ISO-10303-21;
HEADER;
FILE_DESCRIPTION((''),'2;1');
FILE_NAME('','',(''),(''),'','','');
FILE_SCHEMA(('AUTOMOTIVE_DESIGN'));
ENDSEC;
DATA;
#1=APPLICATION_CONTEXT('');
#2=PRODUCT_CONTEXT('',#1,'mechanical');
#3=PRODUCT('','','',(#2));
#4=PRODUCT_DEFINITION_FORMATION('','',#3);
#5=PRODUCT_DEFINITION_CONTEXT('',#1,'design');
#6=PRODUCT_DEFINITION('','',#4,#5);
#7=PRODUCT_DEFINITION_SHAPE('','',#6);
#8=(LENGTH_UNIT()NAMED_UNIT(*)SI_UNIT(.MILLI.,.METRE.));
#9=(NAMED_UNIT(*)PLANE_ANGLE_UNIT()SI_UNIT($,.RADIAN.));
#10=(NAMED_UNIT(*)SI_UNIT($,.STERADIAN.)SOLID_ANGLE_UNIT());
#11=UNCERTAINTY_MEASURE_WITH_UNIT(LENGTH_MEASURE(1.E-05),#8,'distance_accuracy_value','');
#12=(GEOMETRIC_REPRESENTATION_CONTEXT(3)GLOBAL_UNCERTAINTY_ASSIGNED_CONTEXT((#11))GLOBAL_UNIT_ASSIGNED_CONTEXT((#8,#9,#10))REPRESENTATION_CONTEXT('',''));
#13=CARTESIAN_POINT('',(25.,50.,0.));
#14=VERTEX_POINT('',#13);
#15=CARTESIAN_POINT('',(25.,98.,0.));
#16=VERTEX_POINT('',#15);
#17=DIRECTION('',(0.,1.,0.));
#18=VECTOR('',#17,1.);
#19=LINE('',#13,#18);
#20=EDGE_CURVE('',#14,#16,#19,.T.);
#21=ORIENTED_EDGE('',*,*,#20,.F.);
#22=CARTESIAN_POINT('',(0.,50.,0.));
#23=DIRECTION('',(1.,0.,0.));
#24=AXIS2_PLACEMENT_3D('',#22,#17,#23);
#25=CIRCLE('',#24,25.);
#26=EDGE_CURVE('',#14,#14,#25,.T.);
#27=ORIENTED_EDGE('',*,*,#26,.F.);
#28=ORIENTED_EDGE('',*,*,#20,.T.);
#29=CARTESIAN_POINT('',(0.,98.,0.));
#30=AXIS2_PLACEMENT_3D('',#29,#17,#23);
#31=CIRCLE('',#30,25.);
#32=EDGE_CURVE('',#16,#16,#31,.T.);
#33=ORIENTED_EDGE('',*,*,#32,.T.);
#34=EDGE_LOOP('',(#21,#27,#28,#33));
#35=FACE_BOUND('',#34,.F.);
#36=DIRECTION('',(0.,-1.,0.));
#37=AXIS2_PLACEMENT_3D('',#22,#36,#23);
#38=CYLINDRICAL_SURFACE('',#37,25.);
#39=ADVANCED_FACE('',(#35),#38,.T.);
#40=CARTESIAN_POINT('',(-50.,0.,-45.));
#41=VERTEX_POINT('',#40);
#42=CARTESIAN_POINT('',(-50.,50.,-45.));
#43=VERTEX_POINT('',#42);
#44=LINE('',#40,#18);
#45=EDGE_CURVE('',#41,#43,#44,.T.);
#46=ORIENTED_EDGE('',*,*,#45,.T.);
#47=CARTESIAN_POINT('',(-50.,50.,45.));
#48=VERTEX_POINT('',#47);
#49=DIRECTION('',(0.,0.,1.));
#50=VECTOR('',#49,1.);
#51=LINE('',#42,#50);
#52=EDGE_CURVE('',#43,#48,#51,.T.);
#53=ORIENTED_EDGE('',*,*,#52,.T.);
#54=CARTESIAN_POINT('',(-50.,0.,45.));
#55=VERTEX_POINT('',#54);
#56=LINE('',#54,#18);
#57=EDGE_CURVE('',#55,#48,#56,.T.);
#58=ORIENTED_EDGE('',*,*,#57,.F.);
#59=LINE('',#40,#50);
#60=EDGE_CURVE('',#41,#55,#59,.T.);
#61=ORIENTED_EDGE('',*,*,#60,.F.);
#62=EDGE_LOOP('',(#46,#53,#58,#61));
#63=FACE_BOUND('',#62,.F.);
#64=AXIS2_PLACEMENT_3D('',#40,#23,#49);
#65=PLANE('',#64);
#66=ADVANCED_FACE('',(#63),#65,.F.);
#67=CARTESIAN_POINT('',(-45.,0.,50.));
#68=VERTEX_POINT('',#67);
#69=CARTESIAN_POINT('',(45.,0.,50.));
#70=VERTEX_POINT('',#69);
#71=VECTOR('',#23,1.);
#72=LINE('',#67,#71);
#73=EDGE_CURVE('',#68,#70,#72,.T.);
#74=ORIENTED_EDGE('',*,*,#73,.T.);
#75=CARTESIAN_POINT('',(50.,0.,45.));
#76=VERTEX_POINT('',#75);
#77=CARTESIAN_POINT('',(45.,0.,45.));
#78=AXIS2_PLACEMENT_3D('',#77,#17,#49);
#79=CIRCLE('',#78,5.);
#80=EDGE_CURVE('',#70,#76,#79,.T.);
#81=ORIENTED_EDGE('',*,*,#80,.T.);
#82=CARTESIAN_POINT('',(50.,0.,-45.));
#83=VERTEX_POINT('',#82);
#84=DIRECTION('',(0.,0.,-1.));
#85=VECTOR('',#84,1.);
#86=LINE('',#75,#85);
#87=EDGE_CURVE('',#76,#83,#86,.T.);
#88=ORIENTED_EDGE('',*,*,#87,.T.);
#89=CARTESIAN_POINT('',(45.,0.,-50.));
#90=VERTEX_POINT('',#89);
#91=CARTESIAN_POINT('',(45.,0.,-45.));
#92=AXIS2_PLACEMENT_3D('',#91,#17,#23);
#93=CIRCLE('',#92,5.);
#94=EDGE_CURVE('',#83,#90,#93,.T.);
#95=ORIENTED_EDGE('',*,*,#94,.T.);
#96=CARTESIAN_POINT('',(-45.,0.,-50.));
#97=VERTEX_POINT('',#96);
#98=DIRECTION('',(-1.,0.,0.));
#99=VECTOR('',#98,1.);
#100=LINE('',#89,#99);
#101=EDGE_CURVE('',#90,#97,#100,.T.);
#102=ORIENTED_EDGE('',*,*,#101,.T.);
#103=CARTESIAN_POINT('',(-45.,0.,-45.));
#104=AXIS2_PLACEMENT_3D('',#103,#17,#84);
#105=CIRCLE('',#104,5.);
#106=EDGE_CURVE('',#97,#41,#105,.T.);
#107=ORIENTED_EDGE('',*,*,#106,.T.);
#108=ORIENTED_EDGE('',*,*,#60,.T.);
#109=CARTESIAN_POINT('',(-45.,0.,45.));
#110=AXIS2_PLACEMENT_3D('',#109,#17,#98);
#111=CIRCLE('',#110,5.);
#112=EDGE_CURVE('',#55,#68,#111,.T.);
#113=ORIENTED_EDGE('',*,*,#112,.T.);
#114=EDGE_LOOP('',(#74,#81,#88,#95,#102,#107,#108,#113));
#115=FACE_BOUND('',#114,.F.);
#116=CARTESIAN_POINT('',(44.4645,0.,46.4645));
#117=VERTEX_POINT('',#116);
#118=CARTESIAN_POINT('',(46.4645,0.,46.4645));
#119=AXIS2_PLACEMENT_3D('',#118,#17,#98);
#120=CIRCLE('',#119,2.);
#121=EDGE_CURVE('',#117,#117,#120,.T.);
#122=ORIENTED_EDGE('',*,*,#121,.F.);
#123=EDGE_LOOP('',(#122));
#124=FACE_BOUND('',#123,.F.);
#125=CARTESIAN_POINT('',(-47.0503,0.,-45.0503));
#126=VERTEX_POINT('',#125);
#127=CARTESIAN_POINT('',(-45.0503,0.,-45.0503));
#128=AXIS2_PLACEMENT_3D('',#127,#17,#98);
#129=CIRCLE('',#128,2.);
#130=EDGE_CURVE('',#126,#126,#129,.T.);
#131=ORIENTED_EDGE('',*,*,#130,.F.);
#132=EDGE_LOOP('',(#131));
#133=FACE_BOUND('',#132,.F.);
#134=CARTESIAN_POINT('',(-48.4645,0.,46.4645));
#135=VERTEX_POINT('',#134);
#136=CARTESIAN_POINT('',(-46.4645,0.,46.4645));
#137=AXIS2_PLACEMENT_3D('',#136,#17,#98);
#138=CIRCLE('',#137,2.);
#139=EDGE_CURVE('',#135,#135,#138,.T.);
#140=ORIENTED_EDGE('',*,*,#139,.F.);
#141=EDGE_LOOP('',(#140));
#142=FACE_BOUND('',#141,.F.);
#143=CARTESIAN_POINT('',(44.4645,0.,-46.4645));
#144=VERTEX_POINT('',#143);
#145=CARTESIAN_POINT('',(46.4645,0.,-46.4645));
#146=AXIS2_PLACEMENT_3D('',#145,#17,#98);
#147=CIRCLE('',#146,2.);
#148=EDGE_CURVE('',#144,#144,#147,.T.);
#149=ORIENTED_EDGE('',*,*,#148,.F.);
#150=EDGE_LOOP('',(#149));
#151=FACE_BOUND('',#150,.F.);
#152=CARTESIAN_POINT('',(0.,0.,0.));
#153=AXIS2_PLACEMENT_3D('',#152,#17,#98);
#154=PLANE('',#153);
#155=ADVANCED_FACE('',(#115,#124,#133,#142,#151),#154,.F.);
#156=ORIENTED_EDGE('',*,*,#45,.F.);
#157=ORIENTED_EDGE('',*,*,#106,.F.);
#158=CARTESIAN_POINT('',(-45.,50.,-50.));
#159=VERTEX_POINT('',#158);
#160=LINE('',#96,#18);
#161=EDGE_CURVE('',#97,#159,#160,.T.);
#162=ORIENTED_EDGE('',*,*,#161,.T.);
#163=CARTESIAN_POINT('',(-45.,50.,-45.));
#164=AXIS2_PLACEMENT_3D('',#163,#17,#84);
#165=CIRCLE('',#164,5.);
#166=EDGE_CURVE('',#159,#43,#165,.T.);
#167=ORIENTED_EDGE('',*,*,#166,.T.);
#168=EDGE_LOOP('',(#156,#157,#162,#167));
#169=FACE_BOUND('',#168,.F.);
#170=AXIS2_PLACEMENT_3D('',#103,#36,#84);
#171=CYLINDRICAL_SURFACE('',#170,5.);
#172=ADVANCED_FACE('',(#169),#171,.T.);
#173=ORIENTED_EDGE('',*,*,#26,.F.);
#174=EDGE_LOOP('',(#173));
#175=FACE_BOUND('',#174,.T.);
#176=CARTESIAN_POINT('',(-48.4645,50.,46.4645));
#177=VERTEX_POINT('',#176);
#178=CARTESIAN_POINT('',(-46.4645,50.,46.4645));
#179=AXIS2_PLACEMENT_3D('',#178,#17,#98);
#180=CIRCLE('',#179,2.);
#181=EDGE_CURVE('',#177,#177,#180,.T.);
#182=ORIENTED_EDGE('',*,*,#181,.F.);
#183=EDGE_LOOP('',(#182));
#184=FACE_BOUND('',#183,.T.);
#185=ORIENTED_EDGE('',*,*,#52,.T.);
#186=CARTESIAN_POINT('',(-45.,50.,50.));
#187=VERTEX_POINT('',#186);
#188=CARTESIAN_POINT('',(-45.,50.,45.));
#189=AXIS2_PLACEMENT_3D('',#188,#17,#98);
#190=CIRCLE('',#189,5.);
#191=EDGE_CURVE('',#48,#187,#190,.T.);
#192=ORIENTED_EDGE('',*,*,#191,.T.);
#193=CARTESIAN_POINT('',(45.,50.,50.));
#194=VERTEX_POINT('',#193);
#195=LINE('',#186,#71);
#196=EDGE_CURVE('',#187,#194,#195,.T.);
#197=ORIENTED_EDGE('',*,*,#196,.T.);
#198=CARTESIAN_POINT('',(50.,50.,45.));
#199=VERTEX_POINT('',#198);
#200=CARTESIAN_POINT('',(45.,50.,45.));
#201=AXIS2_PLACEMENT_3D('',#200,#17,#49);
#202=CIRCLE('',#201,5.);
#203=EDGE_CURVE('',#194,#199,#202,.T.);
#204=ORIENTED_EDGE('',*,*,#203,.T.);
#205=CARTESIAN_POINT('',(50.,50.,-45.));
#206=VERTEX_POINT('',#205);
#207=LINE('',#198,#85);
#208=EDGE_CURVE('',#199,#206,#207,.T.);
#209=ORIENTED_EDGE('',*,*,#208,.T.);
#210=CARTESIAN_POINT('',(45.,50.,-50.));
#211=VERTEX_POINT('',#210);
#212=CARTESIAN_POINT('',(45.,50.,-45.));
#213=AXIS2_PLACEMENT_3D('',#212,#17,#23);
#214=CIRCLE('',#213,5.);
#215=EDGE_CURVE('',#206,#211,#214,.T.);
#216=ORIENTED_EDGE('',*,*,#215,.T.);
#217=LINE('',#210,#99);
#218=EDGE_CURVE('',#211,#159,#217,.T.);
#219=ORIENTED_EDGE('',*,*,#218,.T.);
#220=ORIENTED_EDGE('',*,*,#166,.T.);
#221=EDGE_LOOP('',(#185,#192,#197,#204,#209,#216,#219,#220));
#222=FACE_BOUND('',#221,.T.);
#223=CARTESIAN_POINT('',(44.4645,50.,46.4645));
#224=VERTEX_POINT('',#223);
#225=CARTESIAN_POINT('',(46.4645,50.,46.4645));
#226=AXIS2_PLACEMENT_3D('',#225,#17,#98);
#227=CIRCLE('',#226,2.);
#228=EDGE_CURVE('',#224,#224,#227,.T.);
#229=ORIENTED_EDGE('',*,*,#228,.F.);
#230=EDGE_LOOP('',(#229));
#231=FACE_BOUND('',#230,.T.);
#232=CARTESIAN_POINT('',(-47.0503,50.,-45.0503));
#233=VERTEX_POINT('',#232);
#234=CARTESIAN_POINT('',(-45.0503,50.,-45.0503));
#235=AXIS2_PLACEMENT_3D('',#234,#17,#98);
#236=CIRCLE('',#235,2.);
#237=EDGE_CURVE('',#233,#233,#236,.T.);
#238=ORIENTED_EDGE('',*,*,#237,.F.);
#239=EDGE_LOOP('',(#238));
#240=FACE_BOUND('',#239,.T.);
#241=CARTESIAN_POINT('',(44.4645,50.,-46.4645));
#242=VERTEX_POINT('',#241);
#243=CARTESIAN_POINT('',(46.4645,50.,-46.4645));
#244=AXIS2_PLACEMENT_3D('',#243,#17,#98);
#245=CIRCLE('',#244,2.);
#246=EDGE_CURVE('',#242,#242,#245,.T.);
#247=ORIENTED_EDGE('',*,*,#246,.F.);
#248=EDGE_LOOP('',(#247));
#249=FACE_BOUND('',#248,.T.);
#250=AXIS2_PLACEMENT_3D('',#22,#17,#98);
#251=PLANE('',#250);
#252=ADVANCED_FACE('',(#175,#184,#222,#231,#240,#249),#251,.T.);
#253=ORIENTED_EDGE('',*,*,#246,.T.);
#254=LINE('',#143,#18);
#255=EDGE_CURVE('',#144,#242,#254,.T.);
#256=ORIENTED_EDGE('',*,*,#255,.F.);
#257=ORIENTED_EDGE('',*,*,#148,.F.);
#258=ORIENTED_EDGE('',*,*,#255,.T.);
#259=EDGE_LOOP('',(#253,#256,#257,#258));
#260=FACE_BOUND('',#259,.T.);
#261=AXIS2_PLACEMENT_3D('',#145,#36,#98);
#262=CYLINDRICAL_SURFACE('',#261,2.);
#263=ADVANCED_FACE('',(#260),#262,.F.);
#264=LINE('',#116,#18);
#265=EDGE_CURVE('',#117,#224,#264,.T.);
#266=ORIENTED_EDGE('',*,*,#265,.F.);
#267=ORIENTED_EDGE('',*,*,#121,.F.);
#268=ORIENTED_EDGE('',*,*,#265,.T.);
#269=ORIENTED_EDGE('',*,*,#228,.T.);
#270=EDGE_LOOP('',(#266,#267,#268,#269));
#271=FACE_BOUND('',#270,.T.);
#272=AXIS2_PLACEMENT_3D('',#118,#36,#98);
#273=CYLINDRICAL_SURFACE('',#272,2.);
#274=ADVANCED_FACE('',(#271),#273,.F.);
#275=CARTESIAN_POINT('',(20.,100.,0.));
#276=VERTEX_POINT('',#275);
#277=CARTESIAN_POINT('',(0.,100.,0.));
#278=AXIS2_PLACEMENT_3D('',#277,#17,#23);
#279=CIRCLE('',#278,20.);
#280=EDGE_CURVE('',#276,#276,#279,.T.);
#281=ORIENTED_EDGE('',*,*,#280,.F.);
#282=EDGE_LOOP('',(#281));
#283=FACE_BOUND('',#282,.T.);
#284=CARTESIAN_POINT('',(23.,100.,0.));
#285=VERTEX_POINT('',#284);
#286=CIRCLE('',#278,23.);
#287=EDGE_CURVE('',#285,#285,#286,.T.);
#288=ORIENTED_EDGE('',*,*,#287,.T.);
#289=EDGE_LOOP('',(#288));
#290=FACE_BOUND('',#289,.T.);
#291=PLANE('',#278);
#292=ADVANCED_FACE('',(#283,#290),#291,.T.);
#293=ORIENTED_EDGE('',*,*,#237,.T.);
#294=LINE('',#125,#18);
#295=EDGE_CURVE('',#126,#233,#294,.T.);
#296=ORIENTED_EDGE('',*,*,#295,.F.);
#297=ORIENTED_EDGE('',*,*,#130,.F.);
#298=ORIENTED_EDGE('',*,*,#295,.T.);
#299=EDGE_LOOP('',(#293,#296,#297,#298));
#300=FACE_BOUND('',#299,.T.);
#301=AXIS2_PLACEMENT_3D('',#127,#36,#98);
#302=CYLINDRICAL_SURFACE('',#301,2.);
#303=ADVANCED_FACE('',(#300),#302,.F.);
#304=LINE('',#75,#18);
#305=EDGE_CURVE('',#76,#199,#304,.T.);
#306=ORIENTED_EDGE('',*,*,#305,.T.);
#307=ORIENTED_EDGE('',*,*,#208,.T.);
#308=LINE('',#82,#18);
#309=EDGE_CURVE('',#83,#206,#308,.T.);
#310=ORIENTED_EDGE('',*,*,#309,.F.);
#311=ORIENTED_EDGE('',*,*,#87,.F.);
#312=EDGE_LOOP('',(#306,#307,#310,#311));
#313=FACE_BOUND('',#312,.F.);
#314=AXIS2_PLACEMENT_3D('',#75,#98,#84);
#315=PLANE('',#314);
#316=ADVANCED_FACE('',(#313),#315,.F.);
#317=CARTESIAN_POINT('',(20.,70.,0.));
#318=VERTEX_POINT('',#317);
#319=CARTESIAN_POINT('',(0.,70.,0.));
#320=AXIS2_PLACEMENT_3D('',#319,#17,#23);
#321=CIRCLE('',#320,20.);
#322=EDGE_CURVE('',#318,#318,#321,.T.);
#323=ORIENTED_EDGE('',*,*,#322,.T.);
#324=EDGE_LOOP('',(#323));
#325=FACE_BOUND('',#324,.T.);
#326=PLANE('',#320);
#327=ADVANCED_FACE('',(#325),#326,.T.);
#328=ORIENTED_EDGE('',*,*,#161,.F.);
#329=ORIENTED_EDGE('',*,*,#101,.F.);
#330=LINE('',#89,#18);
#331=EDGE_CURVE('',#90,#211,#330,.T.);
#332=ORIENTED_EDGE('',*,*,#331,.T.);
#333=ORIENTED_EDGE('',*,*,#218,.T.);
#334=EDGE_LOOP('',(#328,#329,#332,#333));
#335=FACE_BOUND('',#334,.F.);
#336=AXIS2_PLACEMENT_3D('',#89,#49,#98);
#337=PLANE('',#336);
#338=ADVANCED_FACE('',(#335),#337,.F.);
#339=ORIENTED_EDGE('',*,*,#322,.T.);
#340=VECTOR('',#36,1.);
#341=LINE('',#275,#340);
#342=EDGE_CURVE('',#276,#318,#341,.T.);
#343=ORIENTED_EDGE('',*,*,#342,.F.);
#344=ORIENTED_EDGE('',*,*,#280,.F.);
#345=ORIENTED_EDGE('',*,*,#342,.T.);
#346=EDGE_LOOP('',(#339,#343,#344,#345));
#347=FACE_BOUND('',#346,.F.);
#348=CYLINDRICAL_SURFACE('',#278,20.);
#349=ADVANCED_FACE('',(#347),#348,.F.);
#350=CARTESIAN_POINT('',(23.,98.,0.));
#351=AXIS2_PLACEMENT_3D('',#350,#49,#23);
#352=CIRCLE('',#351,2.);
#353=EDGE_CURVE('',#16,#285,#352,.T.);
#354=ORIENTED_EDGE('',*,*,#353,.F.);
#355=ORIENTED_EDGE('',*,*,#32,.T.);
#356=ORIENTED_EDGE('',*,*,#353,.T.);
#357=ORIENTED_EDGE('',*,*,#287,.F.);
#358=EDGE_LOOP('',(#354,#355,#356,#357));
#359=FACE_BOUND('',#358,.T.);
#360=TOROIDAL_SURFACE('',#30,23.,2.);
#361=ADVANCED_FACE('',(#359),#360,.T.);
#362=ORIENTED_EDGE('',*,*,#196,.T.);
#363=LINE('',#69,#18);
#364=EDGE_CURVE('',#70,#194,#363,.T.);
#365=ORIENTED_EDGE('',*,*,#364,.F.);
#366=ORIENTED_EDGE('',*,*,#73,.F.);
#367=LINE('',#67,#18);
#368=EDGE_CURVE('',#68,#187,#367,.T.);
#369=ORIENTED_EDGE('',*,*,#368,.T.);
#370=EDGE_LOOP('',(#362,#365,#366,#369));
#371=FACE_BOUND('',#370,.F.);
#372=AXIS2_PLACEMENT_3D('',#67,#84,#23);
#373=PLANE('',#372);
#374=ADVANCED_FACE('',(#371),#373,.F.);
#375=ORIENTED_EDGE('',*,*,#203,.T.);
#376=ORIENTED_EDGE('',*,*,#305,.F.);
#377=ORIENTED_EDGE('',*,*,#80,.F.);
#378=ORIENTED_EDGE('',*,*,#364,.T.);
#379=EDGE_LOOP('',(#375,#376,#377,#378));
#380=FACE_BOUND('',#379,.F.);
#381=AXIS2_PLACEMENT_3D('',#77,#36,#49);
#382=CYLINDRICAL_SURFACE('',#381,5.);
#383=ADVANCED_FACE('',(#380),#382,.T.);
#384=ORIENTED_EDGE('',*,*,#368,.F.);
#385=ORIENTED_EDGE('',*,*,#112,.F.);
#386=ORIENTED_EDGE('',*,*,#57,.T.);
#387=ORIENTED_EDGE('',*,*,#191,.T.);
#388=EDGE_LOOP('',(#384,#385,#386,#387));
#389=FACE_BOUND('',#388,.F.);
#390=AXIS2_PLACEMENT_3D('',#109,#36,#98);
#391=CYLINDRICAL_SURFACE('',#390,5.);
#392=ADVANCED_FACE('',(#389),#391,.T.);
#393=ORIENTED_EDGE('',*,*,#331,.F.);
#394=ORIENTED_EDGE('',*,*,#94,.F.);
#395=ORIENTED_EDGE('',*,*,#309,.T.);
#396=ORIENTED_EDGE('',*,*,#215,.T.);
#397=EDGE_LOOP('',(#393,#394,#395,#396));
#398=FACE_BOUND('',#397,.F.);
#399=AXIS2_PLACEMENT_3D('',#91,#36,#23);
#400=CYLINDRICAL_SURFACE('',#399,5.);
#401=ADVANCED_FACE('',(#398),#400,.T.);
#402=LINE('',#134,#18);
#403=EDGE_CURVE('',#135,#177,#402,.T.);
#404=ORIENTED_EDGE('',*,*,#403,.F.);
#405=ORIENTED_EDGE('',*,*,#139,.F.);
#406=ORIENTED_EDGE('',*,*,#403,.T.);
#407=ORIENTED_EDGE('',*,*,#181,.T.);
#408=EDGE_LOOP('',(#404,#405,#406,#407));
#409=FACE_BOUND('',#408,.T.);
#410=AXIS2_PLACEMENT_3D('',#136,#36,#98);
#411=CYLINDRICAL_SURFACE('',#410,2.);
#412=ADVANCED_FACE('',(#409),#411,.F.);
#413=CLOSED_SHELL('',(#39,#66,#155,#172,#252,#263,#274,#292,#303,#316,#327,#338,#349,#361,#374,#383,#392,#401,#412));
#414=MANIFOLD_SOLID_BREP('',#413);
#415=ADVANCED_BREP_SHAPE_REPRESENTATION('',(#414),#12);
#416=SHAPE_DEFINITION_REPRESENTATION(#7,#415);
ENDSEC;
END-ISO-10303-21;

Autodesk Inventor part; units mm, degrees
ref_plane "YZ Plane" through (0, 0, 0) normal (1, 0, 0) x (0, 1, 0)
ref_plane "XZ Plane" through (0, 0, 0) normal (0, 1, 0) x (-1, 0, 0)
ref_plane "XY Plane" through (0, 0, 0) normal (0, 0, 1) x (1, 0, 0)
sketch "Sketch1" plane through (0, 0, 0) normal (0, 1, 0) x (-1, 0, 0)
  line L0 (-50, 45) -> (-50, -45)
  line L1 (-45, -50) -> (45, -50)
  line L2 (50, -45) -> (50, 45)
  line L3 (45, 50) -> (-45, 50)
  circle A0 centre (46.4645, 46.4645) radius 2
  arc A1 (50, 45) -> (45, 50) centre (45, 45) ccw
  circle A2 centre (45.0503, -45.0503) radius 2
  arc A3 (45, -50) -> (50, -45) centre (45, -45) ccw
  line L4 (48.5355, -48.5355) -> (50, -50) construction
  circle A4 centre (-46.4645, 46.4645) radius 2
  circle A5 centre (-46.4645, -46.4645) radius 2
  arc A6 (-45, 50) -> (-50, 45) centre (-45, 45) ccw
  arc A7 (-50, -45) -> (-45, -50) centre (-45, -45) ccw
  line L5 (-50, 50) -> (-47.8787, 47.8787) construction
  line L6 (-45.0503, 45.0503) -> (46.4645, -46.4645) construction
  line L7 (-50, -50) -> (-47.8787, -47.8787) construction
  line L8 (-45.0503, -45.0503) -> (45.0503, 45.0503) construction
  point P0 (0, 0)
  dimension "d0" = 100
  dimension "d1" = 100
extrude "Extrusion1" add sketch "Sketch1" along normal blind 50
sketch "Sketch2" plane through (0, 50, 0) normal (0, 1, 0) x (1, 0, 0)
  circle A0 centre (0, 0) radius 25
extrude "Extrusion2" add sketch "Sketch2" along normal blind 50
sketch "Sketch3" plane through (0, 100, 0) normal (0, 1, 0) x (1, 0, 0)
  circle A0 centre (0, 0) radius 20
  dimension "d18" = 40
extrude "Extrusion3" cut sketch "Sketch3" against normal blind 30
thread "Thread1" size "M40x3" class "6H" standard "ANSI Metric M Profile" full length
fillet "Fillet1" radius 2 1 edges at (-25, 100, 0)
